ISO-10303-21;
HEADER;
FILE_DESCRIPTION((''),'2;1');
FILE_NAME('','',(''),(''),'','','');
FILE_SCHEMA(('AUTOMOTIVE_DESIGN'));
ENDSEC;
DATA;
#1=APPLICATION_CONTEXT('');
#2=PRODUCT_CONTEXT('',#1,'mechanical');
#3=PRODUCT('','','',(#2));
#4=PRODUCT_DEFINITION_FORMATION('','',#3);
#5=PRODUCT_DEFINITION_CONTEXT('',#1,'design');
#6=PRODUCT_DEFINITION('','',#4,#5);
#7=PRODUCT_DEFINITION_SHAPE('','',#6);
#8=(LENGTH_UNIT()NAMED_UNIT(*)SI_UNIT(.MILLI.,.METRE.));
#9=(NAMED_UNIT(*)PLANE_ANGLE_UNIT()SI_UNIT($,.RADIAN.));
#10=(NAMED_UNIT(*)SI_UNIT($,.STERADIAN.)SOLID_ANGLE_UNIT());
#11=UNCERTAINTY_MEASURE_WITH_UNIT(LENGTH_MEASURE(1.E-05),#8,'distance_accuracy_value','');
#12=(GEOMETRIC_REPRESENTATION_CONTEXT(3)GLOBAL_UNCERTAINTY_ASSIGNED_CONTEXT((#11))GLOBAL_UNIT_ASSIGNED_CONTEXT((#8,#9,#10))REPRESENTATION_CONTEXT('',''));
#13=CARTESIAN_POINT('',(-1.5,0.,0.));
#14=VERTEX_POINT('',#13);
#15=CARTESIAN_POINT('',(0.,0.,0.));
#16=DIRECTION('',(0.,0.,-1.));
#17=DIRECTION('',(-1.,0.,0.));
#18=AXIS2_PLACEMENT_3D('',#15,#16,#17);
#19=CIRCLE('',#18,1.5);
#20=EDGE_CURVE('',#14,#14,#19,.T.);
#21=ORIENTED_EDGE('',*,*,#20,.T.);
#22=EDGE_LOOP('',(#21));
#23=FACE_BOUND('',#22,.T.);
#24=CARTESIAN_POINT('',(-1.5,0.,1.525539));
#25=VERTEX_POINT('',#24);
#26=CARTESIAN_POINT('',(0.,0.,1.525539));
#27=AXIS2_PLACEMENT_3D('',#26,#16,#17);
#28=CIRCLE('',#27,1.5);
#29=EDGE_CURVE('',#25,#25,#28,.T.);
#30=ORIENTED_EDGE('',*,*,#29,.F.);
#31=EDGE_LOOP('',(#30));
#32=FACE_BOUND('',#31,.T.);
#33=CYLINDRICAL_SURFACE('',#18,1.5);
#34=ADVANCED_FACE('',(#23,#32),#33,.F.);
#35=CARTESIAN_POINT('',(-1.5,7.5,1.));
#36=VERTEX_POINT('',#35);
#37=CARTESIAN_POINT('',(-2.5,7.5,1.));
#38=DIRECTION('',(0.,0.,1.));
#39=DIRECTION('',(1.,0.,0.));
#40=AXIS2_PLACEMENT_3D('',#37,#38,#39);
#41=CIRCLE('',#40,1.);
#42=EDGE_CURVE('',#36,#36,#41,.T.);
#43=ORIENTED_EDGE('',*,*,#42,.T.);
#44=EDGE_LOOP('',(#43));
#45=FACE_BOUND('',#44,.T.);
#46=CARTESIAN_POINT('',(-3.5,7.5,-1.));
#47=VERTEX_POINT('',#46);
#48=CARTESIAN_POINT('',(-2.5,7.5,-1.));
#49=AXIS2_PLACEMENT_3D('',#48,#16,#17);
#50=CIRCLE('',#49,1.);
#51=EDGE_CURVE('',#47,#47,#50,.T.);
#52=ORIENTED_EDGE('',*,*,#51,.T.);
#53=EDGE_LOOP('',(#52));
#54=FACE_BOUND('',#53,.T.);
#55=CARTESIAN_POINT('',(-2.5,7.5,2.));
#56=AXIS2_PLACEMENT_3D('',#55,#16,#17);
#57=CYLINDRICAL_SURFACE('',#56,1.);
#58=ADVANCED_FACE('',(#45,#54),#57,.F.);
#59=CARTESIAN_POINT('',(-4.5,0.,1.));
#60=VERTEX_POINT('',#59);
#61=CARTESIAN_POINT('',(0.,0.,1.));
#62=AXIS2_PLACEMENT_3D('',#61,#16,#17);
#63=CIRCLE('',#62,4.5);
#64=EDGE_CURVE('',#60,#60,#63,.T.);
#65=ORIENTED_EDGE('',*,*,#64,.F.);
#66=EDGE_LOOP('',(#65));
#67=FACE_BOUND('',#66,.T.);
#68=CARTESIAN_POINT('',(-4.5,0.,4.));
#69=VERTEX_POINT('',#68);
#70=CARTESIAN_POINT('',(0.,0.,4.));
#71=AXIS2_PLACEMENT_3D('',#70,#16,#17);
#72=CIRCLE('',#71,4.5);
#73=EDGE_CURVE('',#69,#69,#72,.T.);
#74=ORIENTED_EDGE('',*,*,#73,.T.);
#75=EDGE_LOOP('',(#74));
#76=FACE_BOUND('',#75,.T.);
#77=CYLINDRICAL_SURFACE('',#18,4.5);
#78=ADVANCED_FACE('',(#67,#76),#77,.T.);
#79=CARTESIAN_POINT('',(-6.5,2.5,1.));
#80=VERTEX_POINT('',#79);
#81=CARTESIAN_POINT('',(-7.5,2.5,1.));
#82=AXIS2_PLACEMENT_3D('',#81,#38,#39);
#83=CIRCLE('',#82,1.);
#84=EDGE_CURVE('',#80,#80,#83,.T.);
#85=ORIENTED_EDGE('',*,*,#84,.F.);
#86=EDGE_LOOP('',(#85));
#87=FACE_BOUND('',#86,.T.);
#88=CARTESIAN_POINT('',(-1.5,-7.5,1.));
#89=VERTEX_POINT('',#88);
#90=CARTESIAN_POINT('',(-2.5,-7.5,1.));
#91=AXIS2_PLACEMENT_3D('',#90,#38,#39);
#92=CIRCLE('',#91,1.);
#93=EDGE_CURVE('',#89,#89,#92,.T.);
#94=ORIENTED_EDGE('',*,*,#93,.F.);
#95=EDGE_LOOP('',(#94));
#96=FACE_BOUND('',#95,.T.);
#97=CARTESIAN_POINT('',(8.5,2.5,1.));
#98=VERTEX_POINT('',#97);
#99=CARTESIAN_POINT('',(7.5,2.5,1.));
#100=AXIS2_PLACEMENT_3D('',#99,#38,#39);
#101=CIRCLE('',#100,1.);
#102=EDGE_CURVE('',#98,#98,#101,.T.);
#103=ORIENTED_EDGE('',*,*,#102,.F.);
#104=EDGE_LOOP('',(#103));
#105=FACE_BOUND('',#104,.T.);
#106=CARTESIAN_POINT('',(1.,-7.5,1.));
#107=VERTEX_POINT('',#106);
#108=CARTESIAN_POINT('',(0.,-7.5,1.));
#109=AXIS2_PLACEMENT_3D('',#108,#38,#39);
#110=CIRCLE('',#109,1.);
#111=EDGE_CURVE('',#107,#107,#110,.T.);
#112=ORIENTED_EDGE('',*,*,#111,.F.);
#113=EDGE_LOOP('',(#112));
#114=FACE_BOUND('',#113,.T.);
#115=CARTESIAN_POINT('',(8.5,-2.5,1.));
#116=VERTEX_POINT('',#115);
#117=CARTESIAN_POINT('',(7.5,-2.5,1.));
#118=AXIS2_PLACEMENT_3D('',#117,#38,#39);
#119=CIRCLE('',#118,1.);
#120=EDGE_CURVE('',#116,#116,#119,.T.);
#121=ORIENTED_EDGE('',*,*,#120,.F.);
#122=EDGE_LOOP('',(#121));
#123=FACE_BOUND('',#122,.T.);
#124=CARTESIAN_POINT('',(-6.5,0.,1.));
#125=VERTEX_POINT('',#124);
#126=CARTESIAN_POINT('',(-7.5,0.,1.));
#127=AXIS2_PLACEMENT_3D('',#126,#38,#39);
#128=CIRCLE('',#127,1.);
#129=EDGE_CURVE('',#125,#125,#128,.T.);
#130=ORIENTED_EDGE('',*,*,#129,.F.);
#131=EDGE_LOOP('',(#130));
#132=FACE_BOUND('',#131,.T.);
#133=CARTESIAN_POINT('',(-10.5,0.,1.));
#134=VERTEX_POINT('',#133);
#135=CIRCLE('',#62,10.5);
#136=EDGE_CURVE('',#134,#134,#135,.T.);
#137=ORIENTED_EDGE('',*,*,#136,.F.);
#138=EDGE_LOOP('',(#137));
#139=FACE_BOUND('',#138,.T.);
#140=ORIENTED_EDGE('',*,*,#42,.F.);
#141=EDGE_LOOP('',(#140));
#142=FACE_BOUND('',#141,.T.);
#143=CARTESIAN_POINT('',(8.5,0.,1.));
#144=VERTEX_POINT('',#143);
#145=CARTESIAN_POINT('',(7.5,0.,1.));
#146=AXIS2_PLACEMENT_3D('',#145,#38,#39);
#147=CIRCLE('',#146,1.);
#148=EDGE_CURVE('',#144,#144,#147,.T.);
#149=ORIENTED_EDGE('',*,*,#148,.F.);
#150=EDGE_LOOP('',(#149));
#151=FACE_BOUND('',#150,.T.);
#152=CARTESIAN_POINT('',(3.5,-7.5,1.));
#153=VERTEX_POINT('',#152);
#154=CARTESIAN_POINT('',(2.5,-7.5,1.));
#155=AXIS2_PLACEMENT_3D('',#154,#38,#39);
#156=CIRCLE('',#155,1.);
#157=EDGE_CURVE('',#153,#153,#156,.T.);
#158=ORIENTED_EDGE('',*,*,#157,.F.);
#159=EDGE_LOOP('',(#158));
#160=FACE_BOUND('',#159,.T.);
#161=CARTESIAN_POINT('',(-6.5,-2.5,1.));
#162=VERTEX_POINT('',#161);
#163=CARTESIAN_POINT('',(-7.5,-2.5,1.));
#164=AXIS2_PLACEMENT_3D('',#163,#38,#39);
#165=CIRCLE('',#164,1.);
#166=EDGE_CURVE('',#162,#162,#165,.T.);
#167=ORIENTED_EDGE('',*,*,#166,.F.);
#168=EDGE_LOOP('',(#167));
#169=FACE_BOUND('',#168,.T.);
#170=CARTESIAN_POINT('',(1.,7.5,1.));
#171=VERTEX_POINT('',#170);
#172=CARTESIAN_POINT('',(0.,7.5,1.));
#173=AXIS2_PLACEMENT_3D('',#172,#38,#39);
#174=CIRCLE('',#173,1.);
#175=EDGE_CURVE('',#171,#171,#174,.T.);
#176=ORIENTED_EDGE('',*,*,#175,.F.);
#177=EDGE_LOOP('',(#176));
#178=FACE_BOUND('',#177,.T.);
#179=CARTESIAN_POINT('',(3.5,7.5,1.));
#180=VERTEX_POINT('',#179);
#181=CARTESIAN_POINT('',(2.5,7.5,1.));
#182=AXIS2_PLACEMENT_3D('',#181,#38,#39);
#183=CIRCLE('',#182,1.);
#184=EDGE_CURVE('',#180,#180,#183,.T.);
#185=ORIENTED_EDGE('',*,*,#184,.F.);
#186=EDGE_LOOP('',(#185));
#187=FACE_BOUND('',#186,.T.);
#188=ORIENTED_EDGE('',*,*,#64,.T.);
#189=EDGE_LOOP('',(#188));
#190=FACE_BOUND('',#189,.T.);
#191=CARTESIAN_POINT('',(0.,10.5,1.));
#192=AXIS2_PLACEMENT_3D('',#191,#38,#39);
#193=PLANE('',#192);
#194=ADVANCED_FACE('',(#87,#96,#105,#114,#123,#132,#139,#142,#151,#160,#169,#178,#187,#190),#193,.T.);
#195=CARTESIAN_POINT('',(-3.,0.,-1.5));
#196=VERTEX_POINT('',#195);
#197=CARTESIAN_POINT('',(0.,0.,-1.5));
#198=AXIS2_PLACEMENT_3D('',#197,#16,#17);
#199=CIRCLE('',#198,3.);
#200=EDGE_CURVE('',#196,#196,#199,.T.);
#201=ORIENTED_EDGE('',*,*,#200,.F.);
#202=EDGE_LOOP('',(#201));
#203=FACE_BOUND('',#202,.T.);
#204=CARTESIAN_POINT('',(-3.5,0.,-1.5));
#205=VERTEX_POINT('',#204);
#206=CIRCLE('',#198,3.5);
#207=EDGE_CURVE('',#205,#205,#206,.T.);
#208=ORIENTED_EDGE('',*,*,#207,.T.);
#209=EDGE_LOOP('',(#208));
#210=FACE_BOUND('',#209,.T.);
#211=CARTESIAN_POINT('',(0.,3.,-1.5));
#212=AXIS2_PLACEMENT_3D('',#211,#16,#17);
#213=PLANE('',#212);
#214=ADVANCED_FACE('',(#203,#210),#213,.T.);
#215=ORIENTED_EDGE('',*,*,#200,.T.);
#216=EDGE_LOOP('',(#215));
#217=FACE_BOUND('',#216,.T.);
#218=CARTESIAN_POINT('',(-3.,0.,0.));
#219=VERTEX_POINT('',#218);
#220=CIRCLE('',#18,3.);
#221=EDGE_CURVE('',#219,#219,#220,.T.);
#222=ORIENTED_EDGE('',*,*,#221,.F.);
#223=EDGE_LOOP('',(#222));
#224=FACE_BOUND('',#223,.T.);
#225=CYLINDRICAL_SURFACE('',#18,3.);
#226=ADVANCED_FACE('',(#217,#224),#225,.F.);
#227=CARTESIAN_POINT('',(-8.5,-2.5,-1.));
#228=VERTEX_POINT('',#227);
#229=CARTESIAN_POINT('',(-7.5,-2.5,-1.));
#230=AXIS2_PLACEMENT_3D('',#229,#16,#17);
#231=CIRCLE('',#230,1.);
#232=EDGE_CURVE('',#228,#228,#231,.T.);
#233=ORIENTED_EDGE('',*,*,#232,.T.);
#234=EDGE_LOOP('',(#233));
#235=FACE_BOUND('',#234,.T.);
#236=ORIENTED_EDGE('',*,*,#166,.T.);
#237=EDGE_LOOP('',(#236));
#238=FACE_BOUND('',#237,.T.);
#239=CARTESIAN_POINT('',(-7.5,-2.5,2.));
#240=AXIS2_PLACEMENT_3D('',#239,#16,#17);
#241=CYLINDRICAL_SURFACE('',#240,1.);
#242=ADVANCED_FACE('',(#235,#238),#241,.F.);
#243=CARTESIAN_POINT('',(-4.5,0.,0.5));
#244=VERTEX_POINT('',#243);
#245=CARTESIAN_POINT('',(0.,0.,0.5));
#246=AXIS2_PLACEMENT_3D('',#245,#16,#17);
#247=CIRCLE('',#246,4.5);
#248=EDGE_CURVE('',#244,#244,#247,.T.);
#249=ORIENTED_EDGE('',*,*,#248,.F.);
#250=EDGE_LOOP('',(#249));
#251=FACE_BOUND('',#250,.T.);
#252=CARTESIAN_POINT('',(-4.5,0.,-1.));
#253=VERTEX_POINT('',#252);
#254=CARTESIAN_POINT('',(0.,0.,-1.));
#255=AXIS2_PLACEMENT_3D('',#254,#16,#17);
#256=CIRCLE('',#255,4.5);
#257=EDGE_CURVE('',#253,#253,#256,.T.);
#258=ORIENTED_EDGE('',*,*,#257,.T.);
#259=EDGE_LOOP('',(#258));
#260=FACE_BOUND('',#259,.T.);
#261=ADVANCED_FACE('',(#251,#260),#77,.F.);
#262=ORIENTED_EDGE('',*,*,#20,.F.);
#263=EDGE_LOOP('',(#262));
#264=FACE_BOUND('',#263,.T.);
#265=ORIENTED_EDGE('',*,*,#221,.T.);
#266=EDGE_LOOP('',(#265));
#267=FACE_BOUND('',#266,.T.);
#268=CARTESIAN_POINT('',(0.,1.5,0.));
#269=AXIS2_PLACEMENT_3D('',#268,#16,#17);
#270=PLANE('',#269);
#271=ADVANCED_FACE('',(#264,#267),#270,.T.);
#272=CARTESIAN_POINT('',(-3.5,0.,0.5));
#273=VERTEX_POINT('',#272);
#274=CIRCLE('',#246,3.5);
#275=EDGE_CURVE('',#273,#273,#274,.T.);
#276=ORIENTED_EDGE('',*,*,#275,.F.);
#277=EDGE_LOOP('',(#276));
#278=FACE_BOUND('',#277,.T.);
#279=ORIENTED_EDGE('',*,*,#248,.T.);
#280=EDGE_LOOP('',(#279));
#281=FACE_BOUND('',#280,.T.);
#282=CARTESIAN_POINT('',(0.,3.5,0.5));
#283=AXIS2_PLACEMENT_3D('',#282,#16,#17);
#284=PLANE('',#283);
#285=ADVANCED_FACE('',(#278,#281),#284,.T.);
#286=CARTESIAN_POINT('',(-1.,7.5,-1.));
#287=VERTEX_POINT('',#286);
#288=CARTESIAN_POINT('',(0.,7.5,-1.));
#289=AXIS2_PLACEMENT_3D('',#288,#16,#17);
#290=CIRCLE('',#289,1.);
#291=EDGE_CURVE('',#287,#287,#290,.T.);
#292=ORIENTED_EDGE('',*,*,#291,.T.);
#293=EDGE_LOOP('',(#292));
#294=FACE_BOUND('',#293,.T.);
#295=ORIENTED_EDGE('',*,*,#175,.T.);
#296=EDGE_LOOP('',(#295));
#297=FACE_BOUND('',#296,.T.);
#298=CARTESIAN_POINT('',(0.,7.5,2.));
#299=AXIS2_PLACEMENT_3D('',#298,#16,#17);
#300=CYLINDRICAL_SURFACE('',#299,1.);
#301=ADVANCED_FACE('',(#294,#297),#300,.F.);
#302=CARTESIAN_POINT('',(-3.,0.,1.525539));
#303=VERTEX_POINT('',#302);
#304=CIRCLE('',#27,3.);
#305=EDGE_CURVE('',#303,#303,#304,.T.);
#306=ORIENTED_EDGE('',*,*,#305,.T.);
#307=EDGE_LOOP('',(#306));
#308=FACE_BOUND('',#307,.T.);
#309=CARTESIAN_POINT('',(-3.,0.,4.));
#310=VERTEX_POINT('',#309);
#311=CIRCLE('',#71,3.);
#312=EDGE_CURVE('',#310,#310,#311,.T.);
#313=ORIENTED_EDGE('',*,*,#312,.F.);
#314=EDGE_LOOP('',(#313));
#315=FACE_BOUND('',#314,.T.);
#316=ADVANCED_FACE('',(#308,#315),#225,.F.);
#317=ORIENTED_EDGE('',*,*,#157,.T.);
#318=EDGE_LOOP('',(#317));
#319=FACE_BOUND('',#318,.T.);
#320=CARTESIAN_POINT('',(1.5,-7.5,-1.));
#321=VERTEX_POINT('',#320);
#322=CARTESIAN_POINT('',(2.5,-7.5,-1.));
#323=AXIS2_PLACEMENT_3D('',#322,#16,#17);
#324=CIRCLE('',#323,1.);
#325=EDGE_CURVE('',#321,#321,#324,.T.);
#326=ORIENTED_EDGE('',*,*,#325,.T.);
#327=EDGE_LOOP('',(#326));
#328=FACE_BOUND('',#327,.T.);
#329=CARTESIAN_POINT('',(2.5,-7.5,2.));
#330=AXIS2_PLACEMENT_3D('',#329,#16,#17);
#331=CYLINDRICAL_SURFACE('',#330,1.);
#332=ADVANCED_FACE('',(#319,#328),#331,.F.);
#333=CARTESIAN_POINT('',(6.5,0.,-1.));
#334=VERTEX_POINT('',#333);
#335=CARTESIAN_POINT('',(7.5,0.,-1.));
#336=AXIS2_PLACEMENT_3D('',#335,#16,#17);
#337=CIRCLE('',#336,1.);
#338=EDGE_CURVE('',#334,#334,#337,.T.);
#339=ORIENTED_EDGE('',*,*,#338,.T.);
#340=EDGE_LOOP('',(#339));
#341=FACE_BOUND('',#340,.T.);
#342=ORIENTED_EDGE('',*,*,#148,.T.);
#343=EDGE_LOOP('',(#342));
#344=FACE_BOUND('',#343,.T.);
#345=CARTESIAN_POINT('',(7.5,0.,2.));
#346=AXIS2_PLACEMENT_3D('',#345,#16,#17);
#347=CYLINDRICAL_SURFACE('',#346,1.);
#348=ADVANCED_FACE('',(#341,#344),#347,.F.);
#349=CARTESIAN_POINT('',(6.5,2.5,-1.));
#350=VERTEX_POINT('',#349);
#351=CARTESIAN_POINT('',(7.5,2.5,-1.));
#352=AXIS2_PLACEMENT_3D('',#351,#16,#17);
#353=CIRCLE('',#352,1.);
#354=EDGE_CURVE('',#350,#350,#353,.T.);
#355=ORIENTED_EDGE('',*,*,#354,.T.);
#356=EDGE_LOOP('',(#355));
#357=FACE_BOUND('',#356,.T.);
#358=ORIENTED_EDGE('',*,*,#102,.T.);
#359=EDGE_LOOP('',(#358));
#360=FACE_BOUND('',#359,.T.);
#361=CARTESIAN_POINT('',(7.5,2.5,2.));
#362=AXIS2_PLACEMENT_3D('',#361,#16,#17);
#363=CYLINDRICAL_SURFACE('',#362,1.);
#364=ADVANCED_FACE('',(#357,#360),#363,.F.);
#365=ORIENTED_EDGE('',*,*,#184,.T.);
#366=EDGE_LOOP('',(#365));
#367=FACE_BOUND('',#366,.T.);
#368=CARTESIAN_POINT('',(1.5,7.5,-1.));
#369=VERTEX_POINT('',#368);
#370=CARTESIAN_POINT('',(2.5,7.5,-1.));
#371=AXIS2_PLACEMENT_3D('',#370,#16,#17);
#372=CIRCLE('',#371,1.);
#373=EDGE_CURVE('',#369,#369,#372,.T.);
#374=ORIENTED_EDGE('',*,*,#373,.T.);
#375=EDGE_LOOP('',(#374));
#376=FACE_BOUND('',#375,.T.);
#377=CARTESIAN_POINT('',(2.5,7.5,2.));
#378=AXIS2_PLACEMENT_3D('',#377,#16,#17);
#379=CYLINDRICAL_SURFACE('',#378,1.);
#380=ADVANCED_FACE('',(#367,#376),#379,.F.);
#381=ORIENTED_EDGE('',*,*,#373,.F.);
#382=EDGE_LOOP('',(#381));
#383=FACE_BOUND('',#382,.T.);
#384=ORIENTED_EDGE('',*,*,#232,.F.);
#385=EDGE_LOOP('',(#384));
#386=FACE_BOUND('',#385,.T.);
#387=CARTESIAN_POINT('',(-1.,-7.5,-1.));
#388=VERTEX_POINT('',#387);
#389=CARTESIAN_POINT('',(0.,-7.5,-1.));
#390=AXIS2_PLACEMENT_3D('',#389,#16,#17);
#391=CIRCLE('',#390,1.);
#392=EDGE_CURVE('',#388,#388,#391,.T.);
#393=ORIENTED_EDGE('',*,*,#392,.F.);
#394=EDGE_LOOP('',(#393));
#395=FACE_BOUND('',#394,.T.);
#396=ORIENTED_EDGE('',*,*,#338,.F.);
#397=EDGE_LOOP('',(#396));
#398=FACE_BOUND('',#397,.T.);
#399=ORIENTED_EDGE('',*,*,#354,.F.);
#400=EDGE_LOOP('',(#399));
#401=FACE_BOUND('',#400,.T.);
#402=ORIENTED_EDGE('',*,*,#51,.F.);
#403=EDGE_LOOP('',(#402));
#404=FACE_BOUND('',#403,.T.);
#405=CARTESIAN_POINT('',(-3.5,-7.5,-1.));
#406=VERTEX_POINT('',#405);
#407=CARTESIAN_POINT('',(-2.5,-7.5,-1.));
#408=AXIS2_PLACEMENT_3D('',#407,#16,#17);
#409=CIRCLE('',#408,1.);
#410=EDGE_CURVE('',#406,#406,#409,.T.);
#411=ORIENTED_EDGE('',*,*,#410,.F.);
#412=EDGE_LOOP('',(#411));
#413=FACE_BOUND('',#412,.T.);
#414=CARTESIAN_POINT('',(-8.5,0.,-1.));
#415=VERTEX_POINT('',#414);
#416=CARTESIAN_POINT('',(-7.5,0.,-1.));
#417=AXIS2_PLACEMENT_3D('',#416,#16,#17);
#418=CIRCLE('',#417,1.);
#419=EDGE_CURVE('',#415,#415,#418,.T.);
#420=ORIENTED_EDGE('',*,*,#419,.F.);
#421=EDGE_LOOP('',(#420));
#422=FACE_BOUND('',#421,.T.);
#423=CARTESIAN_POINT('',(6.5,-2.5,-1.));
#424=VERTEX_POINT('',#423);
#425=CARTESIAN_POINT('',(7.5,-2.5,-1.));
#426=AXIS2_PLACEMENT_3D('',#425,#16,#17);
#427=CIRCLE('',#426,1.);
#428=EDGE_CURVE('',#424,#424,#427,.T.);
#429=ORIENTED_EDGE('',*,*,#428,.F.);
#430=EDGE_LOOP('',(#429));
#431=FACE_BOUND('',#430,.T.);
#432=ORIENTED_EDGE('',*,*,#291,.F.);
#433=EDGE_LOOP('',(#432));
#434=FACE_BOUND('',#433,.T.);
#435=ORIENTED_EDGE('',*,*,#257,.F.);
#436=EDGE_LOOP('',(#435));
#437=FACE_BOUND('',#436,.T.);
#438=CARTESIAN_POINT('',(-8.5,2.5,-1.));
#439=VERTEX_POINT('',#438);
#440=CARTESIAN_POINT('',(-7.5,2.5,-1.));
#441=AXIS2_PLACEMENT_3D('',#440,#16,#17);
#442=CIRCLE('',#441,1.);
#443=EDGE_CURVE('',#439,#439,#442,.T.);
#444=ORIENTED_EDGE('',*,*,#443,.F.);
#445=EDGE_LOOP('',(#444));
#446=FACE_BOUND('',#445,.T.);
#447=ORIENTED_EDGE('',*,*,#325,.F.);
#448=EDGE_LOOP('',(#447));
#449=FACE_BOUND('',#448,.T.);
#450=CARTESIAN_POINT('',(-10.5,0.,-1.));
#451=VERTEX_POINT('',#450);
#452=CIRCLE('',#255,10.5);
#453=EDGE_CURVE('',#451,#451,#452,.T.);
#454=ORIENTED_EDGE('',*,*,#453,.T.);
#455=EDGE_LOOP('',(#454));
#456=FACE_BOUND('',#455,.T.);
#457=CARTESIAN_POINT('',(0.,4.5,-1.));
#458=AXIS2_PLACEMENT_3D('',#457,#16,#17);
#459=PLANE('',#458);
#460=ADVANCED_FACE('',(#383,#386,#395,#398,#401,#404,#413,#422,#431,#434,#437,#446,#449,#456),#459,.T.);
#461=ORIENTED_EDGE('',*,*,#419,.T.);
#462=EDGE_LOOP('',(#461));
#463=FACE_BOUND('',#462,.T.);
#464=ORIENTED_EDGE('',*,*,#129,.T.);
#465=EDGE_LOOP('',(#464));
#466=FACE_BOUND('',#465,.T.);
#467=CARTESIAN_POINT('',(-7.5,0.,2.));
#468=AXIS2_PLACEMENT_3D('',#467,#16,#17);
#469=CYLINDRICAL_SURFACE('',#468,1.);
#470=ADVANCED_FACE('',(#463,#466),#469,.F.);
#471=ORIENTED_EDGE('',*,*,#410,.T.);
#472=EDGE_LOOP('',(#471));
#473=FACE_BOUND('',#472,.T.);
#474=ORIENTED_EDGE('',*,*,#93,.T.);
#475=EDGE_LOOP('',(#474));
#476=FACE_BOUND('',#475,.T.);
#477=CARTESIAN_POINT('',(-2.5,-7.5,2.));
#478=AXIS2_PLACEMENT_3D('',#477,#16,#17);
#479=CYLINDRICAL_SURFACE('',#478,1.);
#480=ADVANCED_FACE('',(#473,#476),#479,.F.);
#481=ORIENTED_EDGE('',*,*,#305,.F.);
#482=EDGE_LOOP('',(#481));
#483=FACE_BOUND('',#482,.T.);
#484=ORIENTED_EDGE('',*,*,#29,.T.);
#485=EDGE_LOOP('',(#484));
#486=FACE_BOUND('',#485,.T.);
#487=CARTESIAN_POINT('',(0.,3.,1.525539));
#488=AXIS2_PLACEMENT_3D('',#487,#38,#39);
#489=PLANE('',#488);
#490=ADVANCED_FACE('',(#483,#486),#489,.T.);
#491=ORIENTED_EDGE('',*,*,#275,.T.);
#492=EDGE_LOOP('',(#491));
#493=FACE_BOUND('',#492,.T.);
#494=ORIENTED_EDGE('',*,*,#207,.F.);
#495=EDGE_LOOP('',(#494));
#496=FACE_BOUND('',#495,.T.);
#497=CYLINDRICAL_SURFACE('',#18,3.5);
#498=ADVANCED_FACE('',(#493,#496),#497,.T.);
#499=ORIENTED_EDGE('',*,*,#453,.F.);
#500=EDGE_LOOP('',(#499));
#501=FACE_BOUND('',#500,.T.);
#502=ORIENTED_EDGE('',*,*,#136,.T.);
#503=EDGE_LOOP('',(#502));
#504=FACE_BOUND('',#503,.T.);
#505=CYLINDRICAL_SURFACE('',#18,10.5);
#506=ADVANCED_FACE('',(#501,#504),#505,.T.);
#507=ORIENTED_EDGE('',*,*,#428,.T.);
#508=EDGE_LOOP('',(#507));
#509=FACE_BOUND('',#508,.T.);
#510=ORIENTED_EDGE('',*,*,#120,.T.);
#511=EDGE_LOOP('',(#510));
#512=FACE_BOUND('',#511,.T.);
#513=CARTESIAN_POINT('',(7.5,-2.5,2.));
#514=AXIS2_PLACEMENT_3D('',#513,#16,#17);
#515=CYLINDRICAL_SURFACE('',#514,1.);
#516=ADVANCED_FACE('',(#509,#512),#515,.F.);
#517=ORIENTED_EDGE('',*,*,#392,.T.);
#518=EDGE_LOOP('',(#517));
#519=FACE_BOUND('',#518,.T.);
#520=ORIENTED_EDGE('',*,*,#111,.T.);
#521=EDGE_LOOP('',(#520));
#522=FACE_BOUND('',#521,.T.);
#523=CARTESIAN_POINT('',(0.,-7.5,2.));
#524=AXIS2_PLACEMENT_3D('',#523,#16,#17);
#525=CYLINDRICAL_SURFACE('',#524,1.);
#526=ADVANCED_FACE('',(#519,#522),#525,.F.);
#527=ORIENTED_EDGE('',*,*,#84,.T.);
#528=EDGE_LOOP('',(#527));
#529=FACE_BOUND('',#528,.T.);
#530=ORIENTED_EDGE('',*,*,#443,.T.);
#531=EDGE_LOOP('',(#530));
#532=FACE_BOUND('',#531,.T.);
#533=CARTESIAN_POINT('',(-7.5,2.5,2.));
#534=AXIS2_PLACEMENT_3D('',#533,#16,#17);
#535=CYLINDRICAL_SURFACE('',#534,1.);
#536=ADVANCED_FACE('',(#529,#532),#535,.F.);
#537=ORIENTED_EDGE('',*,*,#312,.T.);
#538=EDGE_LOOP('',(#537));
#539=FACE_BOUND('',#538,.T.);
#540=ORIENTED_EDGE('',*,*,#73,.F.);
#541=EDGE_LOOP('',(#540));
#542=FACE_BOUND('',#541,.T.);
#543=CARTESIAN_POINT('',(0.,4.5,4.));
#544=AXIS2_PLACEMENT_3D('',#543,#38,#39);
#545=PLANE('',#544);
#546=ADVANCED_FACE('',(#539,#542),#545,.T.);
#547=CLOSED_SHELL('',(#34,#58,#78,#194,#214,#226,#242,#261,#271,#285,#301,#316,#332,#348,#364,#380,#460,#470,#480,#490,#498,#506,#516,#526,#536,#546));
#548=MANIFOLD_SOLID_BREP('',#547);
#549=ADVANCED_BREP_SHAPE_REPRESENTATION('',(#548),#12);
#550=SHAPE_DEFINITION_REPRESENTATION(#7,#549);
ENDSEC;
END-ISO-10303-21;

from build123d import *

# Parameters (mm, degrees)
CROQUIS3_R            = 1
CORTAR_EXTRUIR1_DEPTH = 3


with BuildPart() as part:
    # Croquis2 → Revolución1 (revolve)
    with BuildSketch(Plane(origin=(0, 0, 0), x_dir=(0, 0, -1), z_dir=(1, 0, 0))):
        Polygon((0, 1.5), (0, 3), (1.5, 3), (1.5, 3.5), (-0.5, 3.5), (-0.5, 4.5), (1, 4.5), (1, 10.5), (-1, 10.5), (-1, 4.5), (-4, 4.5), (-4, 3), (-1.525538697, 3), (-1.525538697, 1.5), align=None)
    revolve(axis=Axis((0, 0, 0), (0, 0, 1)))

    # Croquis3 → Cortar-Extruir1 (cut)
    with BuildSketch(Plane(origin=(0, 0, -1), x_dir=(-1, 0, 0), z_dir=(0, 0, -1))):
        with Locations((7.5, 2.5)):
            Circle(CROQUIS3_R)
        with Locations((0, 7.5)):
            Circle(CROQUIS3_R)
        with Locations((7.5, 0)):
            Circle(CROQUIS3_R)
        with Locations((-7.5, 0)):
            Circle(CROQUIS3_R)
        with Locations((0, -7.5)):
            Circle(CROQUIS3_R)
        with Locations((2.5, -7.5)):
            Circle(CROQUIS3_R)
        with Locations((-7.5, -2.5)):
            Circle(CROQUIS3_R)
        with Locations((-2.5, 7.5)):
            Circle(CROQUIS3_R)
        with Locations((7.5, -2.5)):
            Circle(CROQUIS3_R)
        with Locations((-2.5, -7.5)):
            Circle(CROQUIS3_R)
        with Locations((-7.5, 2.5)):
            Circle(CROQUIS3_R)
        with Locations((2.5, 7.5)):
            Circle(CROQUIS3_R)
    extrude(amount=-CORTAR_EXTRUIR1_DEPTH, mode=Mode.SUBTRACT)


solid = part.part
